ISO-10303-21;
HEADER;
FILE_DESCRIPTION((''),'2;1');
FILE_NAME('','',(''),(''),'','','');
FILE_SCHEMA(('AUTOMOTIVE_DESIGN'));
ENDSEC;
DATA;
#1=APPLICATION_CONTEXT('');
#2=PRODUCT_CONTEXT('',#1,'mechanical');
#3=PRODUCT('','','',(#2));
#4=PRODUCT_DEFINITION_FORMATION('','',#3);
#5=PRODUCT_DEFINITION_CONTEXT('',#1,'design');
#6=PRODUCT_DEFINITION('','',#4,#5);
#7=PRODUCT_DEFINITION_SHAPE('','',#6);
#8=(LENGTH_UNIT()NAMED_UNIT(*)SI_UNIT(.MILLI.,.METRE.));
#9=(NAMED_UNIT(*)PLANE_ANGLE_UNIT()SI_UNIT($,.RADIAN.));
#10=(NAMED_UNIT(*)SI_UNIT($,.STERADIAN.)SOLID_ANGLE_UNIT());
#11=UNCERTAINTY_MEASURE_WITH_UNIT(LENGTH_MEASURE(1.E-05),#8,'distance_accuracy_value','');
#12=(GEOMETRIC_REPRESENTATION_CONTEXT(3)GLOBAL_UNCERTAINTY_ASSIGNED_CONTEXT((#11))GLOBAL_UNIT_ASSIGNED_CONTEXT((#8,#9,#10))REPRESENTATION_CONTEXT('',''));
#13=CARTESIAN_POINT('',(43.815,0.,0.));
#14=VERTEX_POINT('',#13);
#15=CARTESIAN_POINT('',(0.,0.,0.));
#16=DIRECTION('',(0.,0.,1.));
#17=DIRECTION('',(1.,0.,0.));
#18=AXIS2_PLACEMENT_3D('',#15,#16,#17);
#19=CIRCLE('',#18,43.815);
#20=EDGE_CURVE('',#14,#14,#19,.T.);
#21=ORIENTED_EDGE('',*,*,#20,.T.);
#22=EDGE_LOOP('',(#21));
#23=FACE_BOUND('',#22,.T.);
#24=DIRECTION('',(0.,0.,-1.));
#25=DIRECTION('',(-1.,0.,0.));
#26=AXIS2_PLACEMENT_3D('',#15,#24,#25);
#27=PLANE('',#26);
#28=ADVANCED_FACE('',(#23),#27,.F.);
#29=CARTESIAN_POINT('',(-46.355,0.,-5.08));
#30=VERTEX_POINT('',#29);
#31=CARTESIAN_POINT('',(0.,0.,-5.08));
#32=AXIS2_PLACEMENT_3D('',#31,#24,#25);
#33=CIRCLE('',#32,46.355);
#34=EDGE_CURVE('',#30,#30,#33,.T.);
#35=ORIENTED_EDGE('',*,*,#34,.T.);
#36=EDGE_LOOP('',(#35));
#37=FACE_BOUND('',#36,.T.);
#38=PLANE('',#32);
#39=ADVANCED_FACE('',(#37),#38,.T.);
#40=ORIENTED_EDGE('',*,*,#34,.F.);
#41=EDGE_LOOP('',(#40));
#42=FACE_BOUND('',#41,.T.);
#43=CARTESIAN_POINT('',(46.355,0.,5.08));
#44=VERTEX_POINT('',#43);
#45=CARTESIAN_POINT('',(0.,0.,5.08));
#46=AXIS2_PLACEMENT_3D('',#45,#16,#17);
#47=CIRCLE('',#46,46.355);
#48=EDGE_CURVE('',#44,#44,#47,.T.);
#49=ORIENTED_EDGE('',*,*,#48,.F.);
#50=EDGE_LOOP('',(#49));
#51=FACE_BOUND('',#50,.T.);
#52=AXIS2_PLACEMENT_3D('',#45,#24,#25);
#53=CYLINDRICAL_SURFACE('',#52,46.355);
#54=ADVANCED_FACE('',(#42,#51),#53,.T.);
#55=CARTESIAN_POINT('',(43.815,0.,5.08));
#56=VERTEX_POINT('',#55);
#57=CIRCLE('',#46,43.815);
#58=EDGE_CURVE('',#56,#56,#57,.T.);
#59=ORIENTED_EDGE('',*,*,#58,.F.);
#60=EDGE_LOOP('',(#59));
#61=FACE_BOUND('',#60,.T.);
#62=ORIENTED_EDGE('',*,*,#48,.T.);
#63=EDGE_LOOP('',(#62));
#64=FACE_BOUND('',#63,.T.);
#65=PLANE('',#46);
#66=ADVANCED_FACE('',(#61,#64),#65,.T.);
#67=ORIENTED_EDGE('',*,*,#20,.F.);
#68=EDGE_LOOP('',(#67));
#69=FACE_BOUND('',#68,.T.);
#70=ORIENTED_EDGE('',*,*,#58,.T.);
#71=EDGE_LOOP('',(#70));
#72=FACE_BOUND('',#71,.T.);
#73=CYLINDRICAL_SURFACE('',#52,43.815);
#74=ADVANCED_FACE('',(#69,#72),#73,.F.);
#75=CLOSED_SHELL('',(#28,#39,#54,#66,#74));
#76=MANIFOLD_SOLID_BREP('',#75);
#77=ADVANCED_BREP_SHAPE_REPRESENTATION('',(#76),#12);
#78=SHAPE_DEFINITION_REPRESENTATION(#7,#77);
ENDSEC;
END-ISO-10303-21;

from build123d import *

# Parameters (mm, degrees)
SKETCH1_R           = 46.355
SKETCH1_R_2         = 43.815
BOSS_EXTRUDE1_DEPTH = 5.08
BOSS_EXTRUDE2_START = 5.08
SKETCH2_R           = 46.355
BOSS_EXTRUDE2_DEPTH = 5.08


with BuildPart() as part:
    # Sketch1 → Boss-Extrude1 (new body)
    with BuildSketch(Plane.XY):
        Circle(SKETCH1_R)
        Circle(SKETCH1_R_2, mode=Mode.SUBTRACT)
    extrude(amount=BOSS_EXTRUDE1_DEPTH)

    # Sketch2 → Boss-Extrude2 (add)
    with BuildSketch(Plane(origin=(0, 0, 0), x_dir=(-1, 0, 0), z_dir=(0, 0, -1)).offset(BOSS_EXTRUDE2_START)):
        Circle(SKETCH2_R)
    extrude(amount=-BOSS_EXTRUDE2_DEPTH)


solid = part.part
